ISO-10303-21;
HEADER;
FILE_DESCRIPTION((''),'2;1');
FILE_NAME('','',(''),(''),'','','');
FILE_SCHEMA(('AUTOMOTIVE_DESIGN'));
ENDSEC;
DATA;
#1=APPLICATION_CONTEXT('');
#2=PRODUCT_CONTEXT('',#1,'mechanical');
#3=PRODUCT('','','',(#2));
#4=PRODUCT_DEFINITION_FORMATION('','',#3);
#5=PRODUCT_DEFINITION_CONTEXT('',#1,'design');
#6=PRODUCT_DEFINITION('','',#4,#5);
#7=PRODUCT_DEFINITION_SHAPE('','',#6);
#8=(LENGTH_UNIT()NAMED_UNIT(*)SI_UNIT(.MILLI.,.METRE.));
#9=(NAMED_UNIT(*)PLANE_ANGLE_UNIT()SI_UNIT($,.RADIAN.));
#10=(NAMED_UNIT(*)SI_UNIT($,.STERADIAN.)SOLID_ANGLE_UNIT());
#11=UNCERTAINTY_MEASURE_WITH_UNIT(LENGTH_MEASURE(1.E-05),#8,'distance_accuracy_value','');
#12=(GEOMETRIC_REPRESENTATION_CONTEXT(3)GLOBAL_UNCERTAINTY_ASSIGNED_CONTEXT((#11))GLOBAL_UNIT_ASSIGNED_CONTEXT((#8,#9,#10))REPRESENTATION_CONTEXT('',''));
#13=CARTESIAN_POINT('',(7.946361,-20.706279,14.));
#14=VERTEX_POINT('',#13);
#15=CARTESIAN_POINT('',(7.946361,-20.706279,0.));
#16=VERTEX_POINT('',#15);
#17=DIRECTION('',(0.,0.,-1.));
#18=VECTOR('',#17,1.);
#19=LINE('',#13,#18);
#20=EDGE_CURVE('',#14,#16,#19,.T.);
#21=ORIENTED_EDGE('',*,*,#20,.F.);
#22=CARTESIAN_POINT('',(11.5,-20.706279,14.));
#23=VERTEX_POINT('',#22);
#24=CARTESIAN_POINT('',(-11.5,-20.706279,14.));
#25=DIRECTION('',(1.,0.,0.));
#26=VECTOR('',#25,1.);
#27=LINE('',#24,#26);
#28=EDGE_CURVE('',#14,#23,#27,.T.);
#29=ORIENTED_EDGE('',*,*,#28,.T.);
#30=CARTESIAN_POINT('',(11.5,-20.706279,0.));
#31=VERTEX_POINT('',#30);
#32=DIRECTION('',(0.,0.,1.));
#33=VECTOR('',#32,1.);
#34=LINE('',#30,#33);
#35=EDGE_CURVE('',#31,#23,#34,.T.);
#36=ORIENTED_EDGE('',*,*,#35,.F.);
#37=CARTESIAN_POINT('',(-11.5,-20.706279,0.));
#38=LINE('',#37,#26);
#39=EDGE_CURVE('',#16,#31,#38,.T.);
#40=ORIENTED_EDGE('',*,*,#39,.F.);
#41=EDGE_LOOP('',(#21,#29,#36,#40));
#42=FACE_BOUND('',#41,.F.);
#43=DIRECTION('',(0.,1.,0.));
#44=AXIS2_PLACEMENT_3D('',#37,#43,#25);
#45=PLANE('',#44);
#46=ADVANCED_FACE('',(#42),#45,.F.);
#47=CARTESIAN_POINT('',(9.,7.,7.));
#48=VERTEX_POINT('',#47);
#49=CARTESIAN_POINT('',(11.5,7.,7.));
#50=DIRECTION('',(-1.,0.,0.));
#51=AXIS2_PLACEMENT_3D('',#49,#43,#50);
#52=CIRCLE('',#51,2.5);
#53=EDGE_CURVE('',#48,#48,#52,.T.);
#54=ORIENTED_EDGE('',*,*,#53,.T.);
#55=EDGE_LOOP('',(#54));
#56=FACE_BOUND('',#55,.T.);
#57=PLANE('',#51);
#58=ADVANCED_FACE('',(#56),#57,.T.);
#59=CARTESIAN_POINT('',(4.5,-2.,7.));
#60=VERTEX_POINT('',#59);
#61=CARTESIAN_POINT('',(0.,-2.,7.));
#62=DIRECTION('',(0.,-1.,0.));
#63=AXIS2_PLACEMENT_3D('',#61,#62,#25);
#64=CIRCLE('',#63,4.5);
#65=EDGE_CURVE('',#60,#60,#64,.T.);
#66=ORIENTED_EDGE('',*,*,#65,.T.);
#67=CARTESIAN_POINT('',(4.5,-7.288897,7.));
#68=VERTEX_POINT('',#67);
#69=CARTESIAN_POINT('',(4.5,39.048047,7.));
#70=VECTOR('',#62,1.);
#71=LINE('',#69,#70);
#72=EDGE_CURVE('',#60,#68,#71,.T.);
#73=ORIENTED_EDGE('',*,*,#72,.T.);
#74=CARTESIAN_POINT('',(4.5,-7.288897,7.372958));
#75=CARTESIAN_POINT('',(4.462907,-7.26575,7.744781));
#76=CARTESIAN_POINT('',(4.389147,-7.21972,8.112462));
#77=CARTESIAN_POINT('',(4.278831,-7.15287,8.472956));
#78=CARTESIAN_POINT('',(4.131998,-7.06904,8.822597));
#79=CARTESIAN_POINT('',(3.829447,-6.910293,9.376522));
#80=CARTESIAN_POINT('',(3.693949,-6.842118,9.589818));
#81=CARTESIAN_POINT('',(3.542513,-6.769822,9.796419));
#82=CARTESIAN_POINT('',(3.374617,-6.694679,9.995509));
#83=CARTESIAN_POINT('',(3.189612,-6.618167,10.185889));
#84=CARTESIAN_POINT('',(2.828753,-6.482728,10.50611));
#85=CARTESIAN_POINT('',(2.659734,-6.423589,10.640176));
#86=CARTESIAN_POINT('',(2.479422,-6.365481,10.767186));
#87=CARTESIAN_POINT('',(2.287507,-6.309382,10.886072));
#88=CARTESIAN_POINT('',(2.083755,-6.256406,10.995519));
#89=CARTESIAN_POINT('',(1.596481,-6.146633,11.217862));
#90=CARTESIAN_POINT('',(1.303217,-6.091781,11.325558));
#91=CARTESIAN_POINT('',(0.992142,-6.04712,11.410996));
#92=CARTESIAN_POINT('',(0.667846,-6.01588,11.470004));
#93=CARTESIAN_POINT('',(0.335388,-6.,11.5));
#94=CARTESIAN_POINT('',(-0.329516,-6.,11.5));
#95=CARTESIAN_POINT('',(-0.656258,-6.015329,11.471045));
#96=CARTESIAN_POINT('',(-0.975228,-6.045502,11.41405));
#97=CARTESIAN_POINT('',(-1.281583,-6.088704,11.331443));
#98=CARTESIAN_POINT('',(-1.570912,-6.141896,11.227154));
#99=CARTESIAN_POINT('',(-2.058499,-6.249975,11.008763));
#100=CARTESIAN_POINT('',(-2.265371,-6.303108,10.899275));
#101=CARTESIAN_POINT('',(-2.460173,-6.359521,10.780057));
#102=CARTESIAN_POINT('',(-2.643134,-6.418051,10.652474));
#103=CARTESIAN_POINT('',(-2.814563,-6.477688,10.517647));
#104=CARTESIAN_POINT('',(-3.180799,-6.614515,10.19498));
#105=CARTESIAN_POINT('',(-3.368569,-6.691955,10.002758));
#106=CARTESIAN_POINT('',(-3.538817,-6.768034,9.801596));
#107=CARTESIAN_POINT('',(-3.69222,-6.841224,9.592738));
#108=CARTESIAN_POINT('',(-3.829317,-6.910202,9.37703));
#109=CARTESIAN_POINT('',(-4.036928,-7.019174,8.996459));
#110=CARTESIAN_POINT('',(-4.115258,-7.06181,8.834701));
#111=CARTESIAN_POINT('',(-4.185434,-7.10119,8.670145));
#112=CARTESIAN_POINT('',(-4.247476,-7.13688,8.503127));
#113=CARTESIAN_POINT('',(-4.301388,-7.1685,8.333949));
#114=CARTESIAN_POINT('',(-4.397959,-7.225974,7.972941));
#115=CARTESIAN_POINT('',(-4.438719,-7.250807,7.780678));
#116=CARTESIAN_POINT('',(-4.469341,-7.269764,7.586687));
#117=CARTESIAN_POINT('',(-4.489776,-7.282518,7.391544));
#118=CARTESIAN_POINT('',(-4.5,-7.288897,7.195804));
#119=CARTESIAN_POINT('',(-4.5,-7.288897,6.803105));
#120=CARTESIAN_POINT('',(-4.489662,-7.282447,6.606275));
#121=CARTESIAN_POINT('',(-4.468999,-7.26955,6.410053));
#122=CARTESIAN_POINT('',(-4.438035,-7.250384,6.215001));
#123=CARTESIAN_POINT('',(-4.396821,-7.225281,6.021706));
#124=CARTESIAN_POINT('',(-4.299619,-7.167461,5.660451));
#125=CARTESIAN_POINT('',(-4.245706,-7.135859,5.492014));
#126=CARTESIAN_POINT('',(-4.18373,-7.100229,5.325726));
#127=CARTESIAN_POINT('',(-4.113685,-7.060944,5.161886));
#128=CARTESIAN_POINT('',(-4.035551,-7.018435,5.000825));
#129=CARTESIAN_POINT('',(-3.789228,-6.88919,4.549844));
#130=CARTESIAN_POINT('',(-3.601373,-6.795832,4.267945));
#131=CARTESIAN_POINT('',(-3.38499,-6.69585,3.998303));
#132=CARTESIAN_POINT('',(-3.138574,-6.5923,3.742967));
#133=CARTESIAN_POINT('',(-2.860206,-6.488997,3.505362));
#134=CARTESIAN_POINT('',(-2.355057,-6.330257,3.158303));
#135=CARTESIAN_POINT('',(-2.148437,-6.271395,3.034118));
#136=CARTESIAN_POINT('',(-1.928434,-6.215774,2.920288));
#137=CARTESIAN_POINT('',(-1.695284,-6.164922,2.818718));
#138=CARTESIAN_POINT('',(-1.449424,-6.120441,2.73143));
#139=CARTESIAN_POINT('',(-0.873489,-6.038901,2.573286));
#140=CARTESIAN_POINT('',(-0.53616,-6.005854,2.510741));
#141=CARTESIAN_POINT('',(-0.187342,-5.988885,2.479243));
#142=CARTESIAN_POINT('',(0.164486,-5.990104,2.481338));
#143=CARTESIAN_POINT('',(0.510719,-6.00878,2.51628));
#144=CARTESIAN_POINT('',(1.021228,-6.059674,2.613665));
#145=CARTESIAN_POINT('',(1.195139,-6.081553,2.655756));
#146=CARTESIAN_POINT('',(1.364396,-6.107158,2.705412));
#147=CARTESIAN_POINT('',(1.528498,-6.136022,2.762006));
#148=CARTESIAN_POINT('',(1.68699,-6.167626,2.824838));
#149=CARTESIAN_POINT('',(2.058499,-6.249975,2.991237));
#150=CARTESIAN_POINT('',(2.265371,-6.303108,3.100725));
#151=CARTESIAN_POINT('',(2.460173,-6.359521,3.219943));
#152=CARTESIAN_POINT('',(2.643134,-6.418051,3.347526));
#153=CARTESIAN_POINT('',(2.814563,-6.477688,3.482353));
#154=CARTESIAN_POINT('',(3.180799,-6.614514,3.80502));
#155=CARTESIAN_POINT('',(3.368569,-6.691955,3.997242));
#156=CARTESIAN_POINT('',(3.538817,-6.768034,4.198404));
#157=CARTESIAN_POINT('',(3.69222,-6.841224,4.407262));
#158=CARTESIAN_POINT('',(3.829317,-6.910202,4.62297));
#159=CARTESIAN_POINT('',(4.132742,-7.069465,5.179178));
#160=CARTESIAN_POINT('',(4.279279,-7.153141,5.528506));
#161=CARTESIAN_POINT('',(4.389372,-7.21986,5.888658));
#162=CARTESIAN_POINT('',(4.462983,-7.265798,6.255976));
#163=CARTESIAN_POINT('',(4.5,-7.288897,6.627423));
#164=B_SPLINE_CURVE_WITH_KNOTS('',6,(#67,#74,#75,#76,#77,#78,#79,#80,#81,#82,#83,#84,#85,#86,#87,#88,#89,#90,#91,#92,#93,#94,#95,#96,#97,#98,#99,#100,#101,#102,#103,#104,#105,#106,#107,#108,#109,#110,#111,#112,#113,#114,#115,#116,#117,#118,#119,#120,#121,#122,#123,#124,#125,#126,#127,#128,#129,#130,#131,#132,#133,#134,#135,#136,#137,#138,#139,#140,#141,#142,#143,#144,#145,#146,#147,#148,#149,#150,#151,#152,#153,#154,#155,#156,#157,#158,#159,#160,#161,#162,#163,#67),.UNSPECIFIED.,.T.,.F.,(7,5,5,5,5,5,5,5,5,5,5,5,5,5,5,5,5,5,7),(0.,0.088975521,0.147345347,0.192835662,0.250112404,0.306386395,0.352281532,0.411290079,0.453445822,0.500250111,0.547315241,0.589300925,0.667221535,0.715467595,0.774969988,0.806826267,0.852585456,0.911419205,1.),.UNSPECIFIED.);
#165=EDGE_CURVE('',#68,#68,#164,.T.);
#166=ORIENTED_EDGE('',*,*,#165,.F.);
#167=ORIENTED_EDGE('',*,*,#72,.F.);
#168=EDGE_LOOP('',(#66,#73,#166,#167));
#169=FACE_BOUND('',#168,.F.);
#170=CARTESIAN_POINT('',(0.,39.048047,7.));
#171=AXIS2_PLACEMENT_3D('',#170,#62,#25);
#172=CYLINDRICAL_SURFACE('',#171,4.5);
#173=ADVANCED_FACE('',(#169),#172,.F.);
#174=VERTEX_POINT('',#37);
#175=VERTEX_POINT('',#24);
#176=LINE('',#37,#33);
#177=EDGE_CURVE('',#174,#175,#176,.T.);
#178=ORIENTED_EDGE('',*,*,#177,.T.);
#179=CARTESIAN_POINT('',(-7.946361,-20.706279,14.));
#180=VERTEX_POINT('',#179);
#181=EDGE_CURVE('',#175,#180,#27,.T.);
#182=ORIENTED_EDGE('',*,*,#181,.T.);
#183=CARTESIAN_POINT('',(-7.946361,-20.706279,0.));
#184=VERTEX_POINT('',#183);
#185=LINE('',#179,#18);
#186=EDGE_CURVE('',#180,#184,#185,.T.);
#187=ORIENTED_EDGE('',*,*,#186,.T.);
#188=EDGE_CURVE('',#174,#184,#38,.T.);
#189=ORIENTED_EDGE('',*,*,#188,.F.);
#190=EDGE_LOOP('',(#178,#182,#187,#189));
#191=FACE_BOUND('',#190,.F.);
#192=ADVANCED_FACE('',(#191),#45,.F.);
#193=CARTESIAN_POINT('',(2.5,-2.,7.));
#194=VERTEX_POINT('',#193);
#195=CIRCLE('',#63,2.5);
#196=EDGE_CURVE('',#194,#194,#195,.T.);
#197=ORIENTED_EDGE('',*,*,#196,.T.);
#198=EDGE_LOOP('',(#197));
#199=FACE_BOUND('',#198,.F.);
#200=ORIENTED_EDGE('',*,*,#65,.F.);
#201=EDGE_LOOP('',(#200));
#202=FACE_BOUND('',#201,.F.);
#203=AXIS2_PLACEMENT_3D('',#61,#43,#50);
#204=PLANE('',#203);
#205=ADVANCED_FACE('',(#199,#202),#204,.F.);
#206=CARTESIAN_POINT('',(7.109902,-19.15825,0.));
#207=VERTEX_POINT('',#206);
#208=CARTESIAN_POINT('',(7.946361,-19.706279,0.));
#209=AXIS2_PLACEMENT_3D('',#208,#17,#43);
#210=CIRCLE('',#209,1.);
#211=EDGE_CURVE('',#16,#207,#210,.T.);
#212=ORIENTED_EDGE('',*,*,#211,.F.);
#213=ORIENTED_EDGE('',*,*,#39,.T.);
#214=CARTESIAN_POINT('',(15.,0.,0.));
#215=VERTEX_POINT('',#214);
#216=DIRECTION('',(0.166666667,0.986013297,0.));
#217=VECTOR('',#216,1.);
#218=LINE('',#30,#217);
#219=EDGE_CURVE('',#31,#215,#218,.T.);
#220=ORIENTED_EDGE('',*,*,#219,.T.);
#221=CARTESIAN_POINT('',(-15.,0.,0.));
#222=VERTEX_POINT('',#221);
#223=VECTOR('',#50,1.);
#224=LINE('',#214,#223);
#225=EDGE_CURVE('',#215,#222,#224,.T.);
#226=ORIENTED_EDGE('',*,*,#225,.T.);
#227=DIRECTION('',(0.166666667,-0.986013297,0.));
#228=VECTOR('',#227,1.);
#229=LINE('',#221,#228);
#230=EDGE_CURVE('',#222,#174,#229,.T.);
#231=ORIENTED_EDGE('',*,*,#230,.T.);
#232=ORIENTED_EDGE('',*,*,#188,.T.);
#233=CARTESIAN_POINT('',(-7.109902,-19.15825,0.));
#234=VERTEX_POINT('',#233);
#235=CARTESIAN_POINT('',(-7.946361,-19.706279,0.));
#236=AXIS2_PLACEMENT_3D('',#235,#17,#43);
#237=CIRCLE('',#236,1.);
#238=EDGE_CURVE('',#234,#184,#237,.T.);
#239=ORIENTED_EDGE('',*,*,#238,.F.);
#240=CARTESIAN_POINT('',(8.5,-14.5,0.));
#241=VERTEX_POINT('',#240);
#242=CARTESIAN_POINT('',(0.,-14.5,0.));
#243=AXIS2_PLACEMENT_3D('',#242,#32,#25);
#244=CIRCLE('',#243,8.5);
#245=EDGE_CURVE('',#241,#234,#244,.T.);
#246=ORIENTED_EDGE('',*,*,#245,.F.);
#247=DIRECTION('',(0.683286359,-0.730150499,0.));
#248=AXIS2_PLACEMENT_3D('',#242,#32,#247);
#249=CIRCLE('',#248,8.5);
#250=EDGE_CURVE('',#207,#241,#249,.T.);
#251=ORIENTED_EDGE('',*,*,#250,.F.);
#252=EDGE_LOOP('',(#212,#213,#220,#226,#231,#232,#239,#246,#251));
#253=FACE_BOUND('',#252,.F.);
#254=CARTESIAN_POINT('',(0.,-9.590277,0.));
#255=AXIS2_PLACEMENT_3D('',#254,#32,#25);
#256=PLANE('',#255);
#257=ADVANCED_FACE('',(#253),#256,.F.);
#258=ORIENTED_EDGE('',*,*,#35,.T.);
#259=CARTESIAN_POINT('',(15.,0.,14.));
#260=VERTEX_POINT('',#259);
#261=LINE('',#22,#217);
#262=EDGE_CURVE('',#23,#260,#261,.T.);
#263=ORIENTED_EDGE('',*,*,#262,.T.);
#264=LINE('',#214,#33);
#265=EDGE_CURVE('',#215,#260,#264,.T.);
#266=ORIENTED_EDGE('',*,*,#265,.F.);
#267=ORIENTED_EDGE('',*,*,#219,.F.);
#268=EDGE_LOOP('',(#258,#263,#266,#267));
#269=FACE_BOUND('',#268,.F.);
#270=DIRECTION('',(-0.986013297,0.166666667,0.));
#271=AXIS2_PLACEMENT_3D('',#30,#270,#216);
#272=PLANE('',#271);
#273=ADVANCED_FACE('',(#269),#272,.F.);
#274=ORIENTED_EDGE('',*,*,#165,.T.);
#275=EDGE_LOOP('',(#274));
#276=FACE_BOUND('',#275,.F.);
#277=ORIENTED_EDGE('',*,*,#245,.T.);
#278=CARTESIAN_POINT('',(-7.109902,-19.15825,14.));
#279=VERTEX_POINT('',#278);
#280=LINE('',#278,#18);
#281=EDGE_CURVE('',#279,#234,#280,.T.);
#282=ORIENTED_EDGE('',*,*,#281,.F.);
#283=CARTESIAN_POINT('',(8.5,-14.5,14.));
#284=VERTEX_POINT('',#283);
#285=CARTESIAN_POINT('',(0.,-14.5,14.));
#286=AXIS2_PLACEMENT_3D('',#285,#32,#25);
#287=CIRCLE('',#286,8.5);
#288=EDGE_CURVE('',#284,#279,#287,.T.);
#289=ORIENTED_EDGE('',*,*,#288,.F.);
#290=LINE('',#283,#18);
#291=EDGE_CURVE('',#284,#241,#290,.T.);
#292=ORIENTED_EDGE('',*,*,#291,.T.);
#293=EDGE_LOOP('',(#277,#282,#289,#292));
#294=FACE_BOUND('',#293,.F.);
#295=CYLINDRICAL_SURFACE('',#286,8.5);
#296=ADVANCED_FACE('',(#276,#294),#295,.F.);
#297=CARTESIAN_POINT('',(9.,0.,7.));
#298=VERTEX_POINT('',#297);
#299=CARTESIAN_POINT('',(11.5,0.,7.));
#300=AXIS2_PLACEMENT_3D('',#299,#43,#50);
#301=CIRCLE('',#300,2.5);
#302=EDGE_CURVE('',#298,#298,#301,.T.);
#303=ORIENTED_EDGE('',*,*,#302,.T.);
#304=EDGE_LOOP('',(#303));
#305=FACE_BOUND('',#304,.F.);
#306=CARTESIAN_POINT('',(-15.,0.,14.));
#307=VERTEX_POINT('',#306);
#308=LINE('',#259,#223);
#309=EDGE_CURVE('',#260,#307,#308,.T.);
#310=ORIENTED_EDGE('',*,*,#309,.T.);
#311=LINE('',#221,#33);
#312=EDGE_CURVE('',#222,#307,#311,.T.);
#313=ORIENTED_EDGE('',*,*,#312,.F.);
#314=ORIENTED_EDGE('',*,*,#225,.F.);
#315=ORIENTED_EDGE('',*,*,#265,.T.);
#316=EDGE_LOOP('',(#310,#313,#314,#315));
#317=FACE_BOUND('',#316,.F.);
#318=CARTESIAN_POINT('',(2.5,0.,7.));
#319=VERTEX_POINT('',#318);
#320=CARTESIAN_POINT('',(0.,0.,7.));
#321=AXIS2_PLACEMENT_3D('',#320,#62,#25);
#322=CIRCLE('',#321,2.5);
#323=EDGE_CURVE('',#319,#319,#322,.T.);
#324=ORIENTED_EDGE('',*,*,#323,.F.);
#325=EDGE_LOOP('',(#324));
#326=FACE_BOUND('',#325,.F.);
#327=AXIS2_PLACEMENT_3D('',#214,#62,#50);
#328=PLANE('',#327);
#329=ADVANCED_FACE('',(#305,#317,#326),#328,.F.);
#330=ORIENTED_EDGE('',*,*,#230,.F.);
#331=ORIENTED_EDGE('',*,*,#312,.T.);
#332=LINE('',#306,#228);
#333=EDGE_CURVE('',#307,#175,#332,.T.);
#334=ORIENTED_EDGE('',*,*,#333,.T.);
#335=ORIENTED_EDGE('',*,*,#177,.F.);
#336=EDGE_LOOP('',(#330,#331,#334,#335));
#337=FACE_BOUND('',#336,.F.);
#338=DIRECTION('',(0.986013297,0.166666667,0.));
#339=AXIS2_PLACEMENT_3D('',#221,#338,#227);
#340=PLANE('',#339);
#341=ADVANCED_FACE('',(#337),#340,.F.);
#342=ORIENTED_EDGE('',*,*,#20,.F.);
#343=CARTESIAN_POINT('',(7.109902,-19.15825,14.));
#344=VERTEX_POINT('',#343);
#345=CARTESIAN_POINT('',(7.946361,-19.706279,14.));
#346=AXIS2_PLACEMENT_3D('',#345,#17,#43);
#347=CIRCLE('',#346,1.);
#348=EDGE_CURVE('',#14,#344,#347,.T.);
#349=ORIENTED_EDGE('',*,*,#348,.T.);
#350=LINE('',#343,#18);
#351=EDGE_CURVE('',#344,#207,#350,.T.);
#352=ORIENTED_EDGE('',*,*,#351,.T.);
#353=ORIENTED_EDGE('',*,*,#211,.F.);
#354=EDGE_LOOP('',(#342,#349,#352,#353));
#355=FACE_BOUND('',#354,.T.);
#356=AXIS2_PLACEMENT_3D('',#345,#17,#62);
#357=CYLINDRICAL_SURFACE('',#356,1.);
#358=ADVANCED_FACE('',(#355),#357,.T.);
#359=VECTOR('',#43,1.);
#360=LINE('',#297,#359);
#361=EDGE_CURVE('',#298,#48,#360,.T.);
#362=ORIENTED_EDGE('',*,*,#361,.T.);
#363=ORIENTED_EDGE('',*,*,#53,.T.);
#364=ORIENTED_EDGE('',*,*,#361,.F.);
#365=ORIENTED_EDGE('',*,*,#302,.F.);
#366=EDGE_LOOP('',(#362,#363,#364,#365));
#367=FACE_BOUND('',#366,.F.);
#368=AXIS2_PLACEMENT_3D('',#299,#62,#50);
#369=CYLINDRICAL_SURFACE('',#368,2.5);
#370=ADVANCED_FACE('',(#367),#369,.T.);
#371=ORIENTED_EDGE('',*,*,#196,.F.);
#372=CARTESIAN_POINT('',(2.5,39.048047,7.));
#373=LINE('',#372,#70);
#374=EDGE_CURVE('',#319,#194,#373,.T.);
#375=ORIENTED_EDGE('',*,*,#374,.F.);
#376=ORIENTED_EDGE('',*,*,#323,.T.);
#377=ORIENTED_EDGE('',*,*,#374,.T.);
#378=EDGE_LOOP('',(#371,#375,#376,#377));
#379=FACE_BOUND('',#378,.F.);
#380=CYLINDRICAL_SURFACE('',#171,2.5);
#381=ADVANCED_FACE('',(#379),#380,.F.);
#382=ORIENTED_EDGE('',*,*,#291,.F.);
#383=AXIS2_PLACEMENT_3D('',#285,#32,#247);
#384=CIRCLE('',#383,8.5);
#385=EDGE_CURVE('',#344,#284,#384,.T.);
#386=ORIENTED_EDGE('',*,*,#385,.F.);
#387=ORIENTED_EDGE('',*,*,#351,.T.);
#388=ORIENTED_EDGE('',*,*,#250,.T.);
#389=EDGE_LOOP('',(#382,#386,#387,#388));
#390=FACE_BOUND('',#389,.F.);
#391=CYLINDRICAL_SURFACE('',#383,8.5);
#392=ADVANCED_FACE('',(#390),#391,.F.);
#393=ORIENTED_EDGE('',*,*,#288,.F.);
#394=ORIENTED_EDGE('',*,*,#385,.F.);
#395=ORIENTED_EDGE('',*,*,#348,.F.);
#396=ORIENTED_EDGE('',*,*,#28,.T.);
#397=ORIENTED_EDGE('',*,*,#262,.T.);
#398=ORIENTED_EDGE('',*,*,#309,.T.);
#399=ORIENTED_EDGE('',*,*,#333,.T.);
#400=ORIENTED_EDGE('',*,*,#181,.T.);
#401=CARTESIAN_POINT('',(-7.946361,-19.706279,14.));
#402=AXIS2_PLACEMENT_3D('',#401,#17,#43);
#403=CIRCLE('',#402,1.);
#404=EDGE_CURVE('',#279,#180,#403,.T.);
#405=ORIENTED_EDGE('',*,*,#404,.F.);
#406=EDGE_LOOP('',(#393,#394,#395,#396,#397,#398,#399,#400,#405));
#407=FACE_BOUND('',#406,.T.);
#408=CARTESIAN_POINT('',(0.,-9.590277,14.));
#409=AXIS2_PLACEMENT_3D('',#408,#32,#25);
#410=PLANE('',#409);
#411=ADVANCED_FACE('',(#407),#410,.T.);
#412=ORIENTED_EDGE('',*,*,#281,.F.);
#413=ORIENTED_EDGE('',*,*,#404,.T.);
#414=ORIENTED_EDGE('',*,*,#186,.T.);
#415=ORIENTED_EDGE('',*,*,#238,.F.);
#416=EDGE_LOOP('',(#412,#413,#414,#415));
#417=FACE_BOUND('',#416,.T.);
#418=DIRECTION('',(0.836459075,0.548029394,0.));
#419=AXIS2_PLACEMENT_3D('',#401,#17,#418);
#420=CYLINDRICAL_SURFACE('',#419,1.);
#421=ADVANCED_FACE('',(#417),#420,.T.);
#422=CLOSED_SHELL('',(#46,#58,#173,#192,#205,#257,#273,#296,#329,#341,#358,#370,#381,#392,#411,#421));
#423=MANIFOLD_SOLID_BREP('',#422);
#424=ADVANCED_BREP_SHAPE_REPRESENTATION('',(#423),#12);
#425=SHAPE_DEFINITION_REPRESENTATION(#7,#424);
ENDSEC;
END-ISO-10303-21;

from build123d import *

# Parameters (mm, degrees)
F1_DEPTH  = 14
F3_D      = 9
F5_DEPTH  = 25
F6_R      = 5.1010545076
F7_DEPTH  = 2
F9_D      = 5
F10_R     = 1
F8_R      = 2.5
F11_DEPTH = 7


with BuildPart() as f1:
    # F0 (on Top) → F1 (new body)
    with BuildSketch(Plane.XY):
        Polygon((15, 0), (-15, 0), (-11.5, -20.7062792408), (11.5, -20.7062792408), align=None)
    extrude(amount=F1_DEPTH)

    # F3 (through all)
    with Locations(Plane(origin=(0, 0, 0), x_dir=(-1, 0, 0), z_dir=(0, 1, 0))):
        with Locations((0, 7)):
            Hole(F3_D / 2)

    # F4 (on face) → F5 (cut)
    with BuildSketch(Plane.XY.offset(14)):
        with BuildLine():
            ThreePointArc((5.8079340548, -20.7062792408), (7.7979945969, -17.8824961592), (8.5, -14.5))
            ThreePointArc((8.5, -14.5), (-3.3824961592, -6.7020054031), (-5.8079340548, -20.7062792408))
            Line((-5.8079340548, -20.7062792408), (5.8079340548, -20.7062792408))
        make_face()
    extrude(amount=-F5_DEPTH, mode=Mode.SUBTRACT)

    # F6 (on face) → F7 (join)
    with BuildSketch(Plane(origin=(0, 0, 0), x_dir=(-1, 0, 0), z_dir=(0, 1, 0))):
        with Locations((0, 7)):
            Circle(F6_R)
    extrude(amount=-F7_DEPTH)

    # F9 (through all)
    with Locations(Plane(origin=(0, 0, 0), x_dir=(-1, 0, 0), z_dir=(0, 1, 0))):
        with Locations((0, 7)):
            Hole(F9_D / 2)

    # F10
    f10_edges = [f1.edges().sort_by_distance(p)[0] for p in [
        (-5.807934, -20.706279, 7),
        (5.807934, -20.706279, 7),
    ]]
    fillet(f10_edges, radius=F10_R)

    # F8 (on face) → F11 (join)
    with BuildSketch(Plane(origin=(0, 0, 0), x_dir=(-1, 0, 0), z_dir=(0, 1, 0))):
        with Locations((-11.5, 7)):
            Circle(F8_R)
    extrude(amount=F11_DEPTH)


solid = f1.part
